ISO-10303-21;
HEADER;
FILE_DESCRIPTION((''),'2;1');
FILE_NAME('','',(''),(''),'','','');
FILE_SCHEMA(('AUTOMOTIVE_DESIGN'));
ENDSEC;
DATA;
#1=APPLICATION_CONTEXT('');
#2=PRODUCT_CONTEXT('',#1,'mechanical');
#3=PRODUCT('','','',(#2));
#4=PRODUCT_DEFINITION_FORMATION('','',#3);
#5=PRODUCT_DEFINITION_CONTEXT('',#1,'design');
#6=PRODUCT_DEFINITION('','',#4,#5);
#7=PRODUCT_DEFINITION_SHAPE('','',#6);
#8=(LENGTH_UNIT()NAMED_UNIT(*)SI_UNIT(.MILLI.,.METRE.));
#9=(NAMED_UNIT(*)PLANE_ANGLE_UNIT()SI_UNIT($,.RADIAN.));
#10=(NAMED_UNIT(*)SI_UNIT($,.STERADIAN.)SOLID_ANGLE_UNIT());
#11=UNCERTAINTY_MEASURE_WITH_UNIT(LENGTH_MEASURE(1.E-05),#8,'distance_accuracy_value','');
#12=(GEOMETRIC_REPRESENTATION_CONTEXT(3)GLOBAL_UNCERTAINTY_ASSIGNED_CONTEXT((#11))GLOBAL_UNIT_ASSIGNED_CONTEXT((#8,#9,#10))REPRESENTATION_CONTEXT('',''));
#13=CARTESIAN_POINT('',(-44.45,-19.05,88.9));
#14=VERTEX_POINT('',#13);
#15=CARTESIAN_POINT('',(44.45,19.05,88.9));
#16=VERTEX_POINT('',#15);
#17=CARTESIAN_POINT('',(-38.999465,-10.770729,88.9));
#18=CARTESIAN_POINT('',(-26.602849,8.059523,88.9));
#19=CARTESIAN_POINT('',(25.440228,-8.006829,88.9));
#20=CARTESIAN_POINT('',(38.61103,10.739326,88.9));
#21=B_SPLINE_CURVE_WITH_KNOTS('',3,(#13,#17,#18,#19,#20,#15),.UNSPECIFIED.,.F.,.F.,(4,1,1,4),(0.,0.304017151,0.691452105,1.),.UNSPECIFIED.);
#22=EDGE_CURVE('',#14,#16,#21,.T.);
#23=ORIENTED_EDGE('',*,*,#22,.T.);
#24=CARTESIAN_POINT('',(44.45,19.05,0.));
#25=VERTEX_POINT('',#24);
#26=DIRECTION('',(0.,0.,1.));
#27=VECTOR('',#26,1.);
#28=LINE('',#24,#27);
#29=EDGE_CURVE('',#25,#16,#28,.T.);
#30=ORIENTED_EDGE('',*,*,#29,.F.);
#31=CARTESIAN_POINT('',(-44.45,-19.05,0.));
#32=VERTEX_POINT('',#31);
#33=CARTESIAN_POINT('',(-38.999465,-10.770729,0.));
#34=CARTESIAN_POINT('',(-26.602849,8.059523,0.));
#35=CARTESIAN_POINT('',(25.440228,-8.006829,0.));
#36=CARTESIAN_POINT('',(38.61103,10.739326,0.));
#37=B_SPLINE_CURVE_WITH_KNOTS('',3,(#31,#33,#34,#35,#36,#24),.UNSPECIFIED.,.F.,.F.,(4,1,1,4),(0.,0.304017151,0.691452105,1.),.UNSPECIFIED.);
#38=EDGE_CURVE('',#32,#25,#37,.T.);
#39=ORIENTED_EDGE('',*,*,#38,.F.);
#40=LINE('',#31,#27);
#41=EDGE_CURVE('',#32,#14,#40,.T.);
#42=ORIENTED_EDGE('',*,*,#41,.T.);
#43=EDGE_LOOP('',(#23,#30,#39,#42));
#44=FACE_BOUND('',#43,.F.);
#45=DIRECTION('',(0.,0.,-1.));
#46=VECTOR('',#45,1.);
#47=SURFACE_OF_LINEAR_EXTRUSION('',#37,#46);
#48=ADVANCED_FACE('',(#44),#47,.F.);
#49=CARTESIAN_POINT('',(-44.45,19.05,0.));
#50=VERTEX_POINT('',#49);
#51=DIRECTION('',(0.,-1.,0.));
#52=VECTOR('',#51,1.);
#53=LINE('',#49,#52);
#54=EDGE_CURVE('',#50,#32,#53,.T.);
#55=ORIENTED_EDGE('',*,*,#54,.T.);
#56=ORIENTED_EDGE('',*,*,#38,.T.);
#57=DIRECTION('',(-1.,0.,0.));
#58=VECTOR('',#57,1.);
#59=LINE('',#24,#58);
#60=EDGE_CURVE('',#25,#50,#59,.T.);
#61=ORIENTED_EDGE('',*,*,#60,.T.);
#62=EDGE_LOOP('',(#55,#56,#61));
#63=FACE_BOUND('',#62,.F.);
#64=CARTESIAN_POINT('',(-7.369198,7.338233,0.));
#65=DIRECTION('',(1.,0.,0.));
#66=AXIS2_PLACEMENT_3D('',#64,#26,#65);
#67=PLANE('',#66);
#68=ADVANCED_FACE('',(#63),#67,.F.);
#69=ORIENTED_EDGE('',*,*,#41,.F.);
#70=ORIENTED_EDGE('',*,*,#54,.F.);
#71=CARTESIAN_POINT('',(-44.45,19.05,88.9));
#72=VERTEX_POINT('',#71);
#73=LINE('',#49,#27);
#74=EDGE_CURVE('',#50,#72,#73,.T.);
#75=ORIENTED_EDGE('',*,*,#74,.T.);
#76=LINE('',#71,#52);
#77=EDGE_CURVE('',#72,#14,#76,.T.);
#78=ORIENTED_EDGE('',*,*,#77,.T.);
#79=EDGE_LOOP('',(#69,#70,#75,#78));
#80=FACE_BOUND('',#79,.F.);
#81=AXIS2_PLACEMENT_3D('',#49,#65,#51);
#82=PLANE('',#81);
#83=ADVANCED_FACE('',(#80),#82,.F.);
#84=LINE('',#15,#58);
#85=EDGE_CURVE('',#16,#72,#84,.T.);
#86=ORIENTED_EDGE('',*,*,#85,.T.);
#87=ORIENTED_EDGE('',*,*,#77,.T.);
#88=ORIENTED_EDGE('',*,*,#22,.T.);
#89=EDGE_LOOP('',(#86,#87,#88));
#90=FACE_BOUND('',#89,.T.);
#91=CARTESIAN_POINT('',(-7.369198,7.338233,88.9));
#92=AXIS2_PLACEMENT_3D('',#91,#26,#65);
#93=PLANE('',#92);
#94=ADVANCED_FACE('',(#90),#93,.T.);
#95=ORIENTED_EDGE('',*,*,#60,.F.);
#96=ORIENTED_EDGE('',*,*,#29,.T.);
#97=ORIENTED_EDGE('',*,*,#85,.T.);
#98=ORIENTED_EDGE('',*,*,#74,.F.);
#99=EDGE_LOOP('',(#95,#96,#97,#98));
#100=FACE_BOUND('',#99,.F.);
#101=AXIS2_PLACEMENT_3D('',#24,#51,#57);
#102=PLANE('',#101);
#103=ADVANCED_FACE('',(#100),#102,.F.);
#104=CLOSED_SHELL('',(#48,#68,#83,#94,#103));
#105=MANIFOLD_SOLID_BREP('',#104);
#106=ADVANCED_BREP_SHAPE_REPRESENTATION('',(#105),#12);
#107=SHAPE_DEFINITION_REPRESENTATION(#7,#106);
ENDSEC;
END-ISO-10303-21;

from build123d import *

# Parameters (mm, degrees)
F1_DEPTH = 88.9


with BuildPart() as f1:
    # F0 (on Top) → F1 (new body)
    with BuildSketch(Plane.XY):
        with BuildLine():
            Line((-44.45, 19.05), (-44.45, -19.05))
            add(Edge.make_bspline(
                [(-44.45, -19.05), (-38.9994649608, -10.7707287442), (-26.6028487957, 8.0595231754), (25.4402280097, -8.0068291468), (38.611029743, 10.739325852), (44.45, 19.05)],
                knots=[0, 0, 0, 0, 0.3040171506, 0.6914521045, 1, 1, 1, 1], degree=3))
            Line((44.45, 19.05), (-44.45, 19.05))
        make_face()
    extrude(amount=F1_DEPTH)


solid = f1.part
